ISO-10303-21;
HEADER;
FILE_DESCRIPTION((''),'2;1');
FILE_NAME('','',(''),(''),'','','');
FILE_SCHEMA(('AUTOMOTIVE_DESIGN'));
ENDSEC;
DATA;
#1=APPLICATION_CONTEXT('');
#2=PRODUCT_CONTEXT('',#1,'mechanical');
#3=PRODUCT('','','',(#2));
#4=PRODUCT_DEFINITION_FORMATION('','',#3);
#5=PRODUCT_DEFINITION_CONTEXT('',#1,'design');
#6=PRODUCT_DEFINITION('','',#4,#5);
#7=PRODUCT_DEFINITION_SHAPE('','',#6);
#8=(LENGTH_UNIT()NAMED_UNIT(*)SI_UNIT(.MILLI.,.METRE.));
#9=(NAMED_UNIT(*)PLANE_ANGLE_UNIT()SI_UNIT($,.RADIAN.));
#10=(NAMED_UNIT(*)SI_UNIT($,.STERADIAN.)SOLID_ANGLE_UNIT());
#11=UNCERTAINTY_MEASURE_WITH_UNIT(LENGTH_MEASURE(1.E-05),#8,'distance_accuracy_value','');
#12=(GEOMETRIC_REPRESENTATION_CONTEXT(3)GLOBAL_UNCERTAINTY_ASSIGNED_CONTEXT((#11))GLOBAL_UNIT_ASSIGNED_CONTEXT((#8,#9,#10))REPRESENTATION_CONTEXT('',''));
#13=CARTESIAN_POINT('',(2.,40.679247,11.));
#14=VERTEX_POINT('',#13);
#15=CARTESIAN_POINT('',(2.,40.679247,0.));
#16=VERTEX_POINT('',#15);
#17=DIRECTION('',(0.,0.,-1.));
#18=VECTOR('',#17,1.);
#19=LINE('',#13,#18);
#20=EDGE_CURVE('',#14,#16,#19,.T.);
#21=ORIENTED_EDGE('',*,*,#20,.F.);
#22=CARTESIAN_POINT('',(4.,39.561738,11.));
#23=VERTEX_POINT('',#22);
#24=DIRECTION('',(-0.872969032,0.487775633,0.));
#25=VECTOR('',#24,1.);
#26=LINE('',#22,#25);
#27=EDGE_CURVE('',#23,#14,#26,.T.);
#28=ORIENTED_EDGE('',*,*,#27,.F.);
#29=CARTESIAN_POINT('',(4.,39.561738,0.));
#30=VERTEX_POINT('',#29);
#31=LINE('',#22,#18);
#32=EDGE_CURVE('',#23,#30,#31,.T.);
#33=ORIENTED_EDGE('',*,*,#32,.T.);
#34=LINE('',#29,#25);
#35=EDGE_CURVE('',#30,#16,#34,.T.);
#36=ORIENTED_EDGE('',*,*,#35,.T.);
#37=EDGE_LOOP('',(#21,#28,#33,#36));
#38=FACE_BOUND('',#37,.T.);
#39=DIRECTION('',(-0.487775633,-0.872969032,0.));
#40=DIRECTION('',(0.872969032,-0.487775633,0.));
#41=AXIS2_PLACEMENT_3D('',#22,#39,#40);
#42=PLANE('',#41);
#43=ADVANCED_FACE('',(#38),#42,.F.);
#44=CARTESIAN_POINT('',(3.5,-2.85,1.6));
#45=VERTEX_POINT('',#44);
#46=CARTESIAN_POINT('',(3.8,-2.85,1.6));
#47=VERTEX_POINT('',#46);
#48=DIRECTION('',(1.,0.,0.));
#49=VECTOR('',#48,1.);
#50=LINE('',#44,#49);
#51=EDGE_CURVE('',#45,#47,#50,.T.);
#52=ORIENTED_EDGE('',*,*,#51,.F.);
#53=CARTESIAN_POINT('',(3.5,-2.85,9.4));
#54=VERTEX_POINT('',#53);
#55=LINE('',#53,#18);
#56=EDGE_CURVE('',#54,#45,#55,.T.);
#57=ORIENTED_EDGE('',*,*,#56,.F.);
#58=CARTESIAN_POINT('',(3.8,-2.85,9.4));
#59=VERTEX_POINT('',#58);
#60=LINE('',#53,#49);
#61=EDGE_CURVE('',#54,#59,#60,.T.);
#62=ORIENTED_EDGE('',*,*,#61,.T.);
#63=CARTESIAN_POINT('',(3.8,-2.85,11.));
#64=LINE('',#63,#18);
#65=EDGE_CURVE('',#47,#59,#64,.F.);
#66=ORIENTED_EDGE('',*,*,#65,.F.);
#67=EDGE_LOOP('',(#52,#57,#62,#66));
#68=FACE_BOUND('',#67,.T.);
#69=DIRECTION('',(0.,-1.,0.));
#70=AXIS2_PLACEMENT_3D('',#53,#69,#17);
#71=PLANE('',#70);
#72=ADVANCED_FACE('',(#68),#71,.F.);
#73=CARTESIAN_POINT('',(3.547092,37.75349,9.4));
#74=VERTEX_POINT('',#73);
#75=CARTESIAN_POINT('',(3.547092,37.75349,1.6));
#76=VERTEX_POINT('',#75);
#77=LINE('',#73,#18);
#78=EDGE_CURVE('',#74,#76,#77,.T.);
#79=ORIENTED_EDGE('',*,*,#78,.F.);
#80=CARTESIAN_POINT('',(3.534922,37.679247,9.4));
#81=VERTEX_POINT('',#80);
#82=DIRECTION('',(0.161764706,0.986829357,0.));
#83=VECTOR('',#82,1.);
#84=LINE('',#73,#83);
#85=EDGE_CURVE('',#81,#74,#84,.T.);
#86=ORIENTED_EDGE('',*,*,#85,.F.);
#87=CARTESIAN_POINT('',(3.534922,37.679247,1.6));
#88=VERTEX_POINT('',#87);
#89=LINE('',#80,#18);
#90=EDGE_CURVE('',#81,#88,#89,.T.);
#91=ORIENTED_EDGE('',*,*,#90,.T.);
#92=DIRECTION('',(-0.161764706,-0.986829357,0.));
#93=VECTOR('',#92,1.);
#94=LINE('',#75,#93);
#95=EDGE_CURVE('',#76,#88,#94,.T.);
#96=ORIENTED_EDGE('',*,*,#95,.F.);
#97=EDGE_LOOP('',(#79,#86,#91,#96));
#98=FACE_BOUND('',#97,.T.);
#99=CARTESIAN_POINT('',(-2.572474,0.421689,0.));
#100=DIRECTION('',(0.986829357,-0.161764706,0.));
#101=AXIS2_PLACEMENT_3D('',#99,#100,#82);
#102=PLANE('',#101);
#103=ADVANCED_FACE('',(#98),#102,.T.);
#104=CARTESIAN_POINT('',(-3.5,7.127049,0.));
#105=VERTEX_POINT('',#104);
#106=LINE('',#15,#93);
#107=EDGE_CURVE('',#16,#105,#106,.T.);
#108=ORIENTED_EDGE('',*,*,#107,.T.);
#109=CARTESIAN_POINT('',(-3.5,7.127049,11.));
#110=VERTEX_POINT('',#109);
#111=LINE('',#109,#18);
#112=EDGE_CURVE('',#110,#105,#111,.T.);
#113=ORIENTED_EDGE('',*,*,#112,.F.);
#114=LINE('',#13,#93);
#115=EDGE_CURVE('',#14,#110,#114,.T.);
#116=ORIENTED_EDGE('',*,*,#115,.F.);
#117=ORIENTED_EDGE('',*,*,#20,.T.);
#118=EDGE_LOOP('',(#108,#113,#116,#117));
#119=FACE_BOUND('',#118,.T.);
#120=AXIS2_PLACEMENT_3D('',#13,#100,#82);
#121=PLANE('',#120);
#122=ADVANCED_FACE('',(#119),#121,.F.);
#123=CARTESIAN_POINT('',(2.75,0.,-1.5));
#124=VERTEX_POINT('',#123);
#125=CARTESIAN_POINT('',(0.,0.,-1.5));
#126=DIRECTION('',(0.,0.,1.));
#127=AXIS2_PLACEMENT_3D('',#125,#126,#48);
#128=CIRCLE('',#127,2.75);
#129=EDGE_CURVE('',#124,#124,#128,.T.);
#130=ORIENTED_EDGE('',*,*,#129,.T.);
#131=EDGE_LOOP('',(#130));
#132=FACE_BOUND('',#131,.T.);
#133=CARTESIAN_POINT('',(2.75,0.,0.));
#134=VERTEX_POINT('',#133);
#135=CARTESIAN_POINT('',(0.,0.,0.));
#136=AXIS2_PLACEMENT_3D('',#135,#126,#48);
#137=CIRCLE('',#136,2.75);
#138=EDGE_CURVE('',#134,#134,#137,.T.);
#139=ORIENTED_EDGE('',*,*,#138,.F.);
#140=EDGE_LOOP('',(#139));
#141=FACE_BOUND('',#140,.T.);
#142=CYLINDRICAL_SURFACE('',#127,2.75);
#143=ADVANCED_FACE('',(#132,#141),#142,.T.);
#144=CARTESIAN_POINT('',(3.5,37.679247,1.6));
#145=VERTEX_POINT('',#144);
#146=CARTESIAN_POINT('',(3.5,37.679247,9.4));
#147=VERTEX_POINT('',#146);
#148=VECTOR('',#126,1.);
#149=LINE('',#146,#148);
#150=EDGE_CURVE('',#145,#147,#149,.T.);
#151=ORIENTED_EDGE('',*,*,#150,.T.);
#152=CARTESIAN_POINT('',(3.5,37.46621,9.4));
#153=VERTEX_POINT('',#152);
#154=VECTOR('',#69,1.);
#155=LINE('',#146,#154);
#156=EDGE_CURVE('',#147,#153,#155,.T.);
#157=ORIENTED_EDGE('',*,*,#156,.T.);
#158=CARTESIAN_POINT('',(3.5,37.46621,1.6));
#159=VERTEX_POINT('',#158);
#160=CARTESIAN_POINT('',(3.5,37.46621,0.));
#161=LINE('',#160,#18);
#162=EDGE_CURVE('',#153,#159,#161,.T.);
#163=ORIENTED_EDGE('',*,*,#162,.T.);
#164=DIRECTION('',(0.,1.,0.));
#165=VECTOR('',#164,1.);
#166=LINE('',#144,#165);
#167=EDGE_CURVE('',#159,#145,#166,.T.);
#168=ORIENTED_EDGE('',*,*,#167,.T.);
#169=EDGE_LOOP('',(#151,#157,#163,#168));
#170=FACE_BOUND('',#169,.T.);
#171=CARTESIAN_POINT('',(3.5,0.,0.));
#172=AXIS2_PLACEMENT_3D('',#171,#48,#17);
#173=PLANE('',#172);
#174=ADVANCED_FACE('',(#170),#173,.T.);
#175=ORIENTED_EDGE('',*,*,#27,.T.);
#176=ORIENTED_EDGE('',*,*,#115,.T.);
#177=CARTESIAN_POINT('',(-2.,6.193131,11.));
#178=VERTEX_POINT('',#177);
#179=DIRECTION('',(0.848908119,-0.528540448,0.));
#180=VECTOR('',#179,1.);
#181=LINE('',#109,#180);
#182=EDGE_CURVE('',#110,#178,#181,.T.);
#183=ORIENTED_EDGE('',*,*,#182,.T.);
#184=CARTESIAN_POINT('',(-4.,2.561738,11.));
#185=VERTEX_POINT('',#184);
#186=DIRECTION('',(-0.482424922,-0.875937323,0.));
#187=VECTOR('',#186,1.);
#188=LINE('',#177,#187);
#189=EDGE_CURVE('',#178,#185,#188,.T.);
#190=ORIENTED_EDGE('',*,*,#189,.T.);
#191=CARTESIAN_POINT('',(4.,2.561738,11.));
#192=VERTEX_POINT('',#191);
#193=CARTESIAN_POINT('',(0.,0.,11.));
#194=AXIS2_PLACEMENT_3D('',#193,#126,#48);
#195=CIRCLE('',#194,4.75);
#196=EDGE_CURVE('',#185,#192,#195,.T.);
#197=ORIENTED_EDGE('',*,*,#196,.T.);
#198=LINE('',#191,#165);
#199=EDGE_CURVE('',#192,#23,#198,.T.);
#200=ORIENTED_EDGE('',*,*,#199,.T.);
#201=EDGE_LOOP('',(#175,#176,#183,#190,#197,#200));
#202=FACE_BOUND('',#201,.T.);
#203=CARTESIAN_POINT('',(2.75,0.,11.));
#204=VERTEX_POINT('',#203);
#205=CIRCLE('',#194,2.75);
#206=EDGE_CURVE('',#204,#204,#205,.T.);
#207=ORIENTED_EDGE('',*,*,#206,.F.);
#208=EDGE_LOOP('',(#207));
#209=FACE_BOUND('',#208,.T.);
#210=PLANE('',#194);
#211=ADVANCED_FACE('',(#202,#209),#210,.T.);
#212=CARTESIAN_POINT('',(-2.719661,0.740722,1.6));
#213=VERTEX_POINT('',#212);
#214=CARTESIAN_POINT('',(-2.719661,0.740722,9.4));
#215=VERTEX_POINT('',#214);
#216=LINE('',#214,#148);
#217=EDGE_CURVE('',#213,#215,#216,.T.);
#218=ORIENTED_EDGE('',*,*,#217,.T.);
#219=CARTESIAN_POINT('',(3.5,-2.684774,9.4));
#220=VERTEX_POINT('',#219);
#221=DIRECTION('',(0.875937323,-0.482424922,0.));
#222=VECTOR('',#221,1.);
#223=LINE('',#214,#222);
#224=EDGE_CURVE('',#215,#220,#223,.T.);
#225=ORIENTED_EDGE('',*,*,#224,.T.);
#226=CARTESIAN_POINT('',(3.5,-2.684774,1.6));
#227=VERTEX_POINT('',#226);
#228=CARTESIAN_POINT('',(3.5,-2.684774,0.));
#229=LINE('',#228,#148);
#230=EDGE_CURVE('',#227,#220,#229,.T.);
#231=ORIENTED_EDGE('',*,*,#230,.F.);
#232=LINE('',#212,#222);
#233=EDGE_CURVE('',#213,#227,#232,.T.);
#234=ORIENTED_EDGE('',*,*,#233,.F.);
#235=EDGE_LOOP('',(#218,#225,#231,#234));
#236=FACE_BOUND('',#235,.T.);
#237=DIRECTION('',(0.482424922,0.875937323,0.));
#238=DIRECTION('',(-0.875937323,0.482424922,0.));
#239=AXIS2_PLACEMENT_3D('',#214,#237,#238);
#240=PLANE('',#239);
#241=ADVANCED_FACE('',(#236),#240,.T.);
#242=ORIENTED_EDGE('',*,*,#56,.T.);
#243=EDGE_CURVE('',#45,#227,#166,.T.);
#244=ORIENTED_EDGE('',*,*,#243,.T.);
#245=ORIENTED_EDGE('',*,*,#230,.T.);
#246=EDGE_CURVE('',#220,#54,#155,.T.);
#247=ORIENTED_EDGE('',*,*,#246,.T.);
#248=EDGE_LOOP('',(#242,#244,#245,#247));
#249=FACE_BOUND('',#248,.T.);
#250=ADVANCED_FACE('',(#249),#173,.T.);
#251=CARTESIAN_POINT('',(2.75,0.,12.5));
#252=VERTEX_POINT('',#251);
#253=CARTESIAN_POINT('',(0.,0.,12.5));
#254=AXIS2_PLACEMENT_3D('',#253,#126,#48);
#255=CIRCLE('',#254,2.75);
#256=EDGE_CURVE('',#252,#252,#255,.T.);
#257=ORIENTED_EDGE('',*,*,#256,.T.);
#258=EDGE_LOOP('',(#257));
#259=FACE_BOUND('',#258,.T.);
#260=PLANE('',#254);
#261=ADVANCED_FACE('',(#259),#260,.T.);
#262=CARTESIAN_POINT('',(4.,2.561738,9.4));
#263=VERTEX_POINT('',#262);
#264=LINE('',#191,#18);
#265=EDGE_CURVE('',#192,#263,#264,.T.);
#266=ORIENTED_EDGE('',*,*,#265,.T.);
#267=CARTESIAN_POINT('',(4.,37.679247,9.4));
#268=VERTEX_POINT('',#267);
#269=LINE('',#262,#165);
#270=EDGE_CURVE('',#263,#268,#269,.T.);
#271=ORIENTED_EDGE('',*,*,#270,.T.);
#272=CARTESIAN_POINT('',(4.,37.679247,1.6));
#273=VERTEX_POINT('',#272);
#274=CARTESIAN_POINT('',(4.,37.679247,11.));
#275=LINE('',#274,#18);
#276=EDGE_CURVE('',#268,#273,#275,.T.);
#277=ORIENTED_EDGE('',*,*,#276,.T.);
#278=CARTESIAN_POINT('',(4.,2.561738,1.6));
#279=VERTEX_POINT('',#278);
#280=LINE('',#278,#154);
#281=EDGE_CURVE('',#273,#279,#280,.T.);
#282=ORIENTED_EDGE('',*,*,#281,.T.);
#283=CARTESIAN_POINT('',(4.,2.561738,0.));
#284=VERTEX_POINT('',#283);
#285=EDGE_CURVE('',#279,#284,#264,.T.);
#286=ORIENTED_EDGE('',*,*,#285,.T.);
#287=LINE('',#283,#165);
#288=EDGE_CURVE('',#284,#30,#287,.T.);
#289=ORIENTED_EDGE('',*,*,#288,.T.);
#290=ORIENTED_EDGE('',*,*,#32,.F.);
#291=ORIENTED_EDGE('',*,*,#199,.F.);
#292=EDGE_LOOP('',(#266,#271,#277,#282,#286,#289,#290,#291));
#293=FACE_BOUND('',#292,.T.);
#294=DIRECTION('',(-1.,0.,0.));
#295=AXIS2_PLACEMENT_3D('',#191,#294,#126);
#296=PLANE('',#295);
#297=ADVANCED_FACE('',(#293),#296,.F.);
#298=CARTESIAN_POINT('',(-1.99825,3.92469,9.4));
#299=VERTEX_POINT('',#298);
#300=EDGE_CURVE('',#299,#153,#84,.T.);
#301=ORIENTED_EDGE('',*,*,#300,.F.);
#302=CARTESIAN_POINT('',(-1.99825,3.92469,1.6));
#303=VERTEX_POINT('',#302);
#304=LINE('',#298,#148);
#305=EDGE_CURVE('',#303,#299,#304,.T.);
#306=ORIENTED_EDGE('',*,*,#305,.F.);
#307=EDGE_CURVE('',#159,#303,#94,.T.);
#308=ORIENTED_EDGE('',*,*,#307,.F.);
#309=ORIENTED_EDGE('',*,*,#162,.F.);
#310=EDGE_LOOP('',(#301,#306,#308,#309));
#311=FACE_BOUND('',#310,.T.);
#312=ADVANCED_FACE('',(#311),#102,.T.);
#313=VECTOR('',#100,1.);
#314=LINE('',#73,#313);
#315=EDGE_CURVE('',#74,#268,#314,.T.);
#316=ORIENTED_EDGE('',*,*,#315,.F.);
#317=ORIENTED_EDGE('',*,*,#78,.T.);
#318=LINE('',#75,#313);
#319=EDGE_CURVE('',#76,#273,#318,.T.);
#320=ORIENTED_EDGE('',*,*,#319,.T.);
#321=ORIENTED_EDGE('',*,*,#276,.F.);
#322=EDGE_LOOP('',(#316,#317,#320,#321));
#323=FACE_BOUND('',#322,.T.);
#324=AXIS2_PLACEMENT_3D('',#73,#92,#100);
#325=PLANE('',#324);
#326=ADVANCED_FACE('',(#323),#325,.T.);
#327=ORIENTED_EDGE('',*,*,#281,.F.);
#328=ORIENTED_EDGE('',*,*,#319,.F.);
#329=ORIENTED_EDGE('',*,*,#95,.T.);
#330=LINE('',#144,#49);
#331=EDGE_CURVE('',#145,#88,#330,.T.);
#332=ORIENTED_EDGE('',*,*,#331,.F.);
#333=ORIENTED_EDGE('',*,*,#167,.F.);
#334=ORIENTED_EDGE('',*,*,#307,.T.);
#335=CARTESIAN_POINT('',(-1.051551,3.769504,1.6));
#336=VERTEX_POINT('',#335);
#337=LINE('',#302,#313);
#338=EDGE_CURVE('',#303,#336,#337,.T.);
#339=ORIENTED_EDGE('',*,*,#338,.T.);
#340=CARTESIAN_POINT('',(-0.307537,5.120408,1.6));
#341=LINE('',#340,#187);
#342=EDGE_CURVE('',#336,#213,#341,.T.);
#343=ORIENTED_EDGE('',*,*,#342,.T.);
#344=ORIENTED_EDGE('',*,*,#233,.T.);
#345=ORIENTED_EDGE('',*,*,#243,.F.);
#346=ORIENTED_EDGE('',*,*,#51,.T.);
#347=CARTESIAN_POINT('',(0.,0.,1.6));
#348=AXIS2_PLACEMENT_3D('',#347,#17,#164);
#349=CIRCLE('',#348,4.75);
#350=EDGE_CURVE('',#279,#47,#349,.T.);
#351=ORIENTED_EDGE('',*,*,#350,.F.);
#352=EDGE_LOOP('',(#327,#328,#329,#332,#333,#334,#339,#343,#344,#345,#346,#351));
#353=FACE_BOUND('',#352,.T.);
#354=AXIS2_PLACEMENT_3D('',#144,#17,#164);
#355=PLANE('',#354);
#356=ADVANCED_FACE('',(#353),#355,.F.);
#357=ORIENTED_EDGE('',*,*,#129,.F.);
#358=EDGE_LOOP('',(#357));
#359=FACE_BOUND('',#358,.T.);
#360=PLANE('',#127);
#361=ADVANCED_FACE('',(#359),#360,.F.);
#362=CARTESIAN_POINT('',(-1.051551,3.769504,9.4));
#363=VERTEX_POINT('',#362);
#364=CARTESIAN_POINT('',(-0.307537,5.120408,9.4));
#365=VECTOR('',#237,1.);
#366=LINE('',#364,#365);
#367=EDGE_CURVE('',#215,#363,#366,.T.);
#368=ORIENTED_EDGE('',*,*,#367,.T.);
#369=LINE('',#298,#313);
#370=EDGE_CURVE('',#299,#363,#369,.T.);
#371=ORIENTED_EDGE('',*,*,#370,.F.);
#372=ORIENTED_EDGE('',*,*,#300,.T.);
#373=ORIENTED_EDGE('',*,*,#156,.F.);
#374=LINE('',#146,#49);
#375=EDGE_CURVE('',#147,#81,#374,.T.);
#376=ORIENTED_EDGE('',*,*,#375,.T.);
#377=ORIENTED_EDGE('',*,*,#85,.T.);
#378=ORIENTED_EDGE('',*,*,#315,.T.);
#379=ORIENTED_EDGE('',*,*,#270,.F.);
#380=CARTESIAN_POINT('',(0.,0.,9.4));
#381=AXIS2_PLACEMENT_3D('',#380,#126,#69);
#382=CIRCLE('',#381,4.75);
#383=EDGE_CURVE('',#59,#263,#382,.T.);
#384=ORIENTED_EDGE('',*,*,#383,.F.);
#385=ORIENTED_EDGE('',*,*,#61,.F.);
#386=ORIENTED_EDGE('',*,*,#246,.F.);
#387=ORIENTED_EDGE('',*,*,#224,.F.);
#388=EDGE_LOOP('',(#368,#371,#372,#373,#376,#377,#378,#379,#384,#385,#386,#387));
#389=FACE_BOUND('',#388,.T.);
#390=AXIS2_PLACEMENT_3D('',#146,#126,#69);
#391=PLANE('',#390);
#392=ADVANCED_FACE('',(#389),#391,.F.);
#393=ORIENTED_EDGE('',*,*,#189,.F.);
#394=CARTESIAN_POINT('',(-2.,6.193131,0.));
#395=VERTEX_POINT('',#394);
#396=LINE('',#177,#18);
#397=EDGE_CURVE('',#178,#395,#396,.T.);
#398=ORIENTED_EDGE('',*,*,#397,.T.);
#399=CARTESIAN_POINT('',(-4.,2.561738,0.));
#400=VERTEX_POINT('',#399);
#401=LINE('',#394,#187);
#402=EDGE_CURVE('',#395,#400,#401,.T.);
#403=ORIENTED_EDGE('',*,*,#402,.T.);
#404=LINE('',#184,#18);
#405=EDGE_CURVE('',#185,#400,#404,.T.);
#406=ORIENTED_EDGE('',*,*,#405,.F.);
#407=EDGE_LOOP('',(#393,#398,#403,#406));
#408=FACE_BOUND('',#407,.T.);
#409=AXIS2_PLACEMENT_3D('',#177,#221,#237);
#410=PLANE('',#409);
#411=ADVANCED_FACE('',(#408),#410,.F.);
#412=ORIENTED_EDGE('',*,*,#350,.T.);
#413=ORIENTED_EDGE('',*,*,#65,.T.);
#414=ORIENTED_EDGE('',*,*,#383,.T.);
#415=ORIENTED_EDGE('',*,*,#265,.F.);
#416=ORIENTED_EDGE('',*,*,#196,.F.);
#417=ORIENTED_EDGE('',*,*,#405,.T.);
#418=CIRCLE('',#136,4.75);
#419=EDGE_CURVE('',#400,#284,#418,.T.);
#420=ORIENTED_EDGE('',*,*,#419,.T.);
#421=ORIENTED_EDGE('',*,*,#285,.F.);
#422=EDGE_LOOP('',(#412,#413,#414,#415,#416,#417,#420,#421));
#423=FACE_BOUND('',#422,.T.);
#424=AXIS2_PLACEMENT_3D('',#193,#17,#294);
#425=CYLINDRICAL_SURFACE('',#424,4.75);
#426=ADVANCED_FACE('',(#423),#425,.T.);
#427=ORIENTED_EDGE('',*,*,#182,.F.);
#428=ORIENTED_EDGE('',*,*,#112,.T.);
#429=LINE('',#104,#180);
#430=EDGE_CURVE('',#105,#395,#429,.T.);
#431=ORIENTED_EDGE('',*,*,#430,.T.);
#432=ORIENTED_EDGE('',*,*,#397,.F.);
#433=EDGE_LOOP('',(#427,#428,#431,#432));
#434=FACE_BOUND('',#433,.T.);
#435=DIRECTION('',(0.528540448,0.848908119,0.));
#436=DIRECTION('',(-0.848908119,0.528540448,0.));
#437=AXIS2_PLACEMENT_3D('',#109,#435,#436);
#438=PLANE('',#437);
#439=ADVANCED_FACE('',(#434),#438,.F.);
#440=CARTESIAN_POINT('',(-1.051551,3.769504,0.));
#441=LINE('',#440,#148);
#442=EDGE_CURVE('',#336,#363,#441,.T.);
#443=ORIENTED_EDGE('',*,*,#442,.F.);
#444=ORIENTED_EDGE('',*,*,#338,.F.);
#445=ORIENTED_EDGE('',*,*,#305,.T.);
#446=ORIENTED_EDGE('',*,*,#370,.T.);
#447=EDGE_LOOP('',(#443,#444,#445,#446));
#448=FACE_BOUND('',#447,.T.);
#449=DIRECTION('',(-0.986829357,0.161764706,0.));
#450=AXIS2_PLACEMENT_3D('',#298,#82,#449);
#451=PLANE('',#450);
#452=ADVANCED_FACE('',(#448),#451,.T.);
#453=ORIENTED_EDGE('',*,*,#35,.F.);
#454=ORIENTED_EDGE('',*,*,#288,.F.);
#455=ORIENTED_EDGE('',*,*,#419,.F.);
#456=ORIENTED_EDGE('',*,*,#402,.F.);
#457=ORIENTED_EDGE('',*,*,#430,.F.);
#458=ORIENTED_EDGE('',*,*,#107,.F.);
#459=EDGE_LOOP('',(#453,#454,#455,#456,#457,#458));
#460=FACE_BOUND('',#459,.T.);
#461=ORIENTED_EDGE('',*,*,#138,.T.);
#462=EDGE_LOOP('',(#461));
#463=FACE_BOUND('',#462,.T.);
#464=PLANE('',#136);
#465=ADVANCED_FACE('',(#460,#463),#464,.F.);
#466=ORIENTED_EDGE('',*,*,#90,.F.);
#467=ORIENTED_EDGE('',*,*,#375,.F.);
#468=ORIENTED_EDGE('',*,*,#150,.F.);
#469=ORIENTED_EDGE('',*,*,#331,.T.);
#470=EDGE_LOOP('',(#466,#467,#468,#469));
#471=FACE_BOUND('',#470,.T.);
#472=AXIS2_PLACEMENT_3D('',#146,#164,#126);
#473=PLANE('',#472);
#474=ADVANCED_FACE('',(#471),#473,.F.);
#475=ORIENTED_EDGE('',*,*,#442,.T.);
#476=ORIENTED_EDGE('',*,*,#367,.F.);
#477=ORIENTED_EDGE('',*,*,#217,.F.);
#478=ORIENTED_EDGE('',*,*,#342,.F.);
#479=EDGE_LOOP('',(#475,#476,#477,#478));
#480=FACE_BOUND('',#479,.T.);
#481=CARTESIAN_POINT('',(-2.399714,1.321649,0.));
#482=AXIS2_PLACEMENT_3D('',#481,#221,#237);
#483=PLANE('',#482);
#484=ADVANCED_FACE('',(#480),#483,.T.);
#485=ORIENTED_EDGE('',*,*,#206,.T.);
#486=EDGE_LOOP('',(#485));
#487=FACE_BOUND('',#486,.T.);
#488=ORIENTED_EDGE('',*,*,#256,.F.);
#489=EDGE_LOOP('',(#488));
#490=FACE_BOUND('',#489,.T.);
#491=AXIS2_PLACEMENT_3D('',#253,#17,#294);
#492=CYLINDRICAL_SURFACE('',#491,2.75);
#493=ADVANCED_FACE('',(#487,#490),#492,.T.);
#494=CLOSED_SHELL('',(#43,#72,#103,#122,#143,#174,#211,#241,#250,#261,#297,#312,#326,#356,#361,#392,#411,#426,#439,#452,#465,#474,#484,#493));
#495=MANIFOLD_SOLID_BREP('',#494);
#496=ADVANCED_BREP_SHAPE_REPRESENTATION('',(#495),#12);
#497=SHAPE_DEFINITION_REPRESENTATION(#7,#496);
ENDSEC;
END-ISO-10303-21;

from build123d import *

# Parameters (mm, degrees)
BOSS_EXTRU_1_DEPTH      = 11
ESQUISSE2_R             = 2.75
BOSS_EXTRU_2_DEPTH      = 1.5
BOSS_EXTRU_3_START      = 1.5
ESQUISSE3_R             = 2.75
BOSS_EXTRU_3_DEPTH      = 1.5
ESQUISSE5_W             = 7.8
ESQUISSE5_H             = 40.529247283
ENL_V_MAT_EXTRU_1_DEPTH = 10.5
ESQUISSE6_W             = 7.8
ESQUISSE6_H             = 5
ENL_V_MAT_EXTRU_2_DEPTH = 8
ESQUISSE7_W             = 7.8
ESQUISSE7_H             = 34.280292999
ENL_V_MAT_EXTRU_3_DEPTH = 8


with BuildPart() as part:
    # Esquisse1 → Boss.-Extru.1 (new body)
    with BuildSketch(Plane.XY):
        with BuildLine():
            Line((4, 2.561737691), (4, 39.561737691))
            Line((4, 39.561737691), (2, 40.679247283))
            Line((2, 40.679247283), (-3.5, 7.127049143))
            Line((-3.5, 7.127049143), (-2, 6.193131027))
            Line((-2, 6.193131027), (-4, 2.561737691))
            ThreePointArc((-4, 2.561737691), (0, -4.75), (4, 2.561737691))
        make_face()
    extrude(amount=BOSS_EXTRU_1_DEPTH)

    # Esquisse2 → Boss.-Extru.2 (add)
    with BuildSketch(Plane.XY):
        Circle(ESQUISSE2_R)
    extrude(amount=-BOSS_EXTRU_2_DEPTH)

    # Esquisse3 → Boss.-Extru.3 (add)
    with BuildSketch(Plane.XY.offset(11).offset(BOSS_EXTRU_3_START)):
        Circle(ESQUISSE3_R)
    extrude(amount=-BOSS_EXTRU_3_DEPTH)

    # Esquisse5 → Enlèv. mat.-Extru.1 (cut)
    with BuildSketch(Plane(origin=(14, 0, 0), x_dir=(0, 0, -1), z_dir=(1, 0, 0))):
        with Locations((-5.5, 17.414623642)):
            Rectangle(ESQUISSE5_W, ESQUISSE5_H)
    extrude(amount=-ENL_V_MAT_EXTRU_1_DEPTH, mode=Mode.SUBTRACT)

    # Esquisse6 → Enlèv. mat.-Extru.2 (cut)
    with BuildSketch(Plane(origin=(4.607784726, -2.537750279, 0), x_dir=(0, 0, 1), z_dir=(-0.8759373234553582, 0.4824249220115637, 0))):
        with Locations((5.5, 1.836793332)):
            Rectangle(ESQUISSE6_W, ESQUISSE6_H)
    extrude(amount=ENL_V_MAT_EXTRU_2_DEPTH, mode=Mode.SUBTRACT)

    # Esquisse7 → Enlèv. mat.-Extru.3 (cut)
    with BuildSketch(Plane(origin=(5.322160432, -0.872428157, 0), x_dir=(0, 0, 1), z_dir=(-0.986829357047507, 0.16176470588235298, 0))):
        with Locations((5.5, 20.689899695)):
            Rectangle(ESQUISSE7_W, ESQUISSE7_H)
    extrude(amount=ENL_V_MAT_EXTRU_3_DEPTH, mode=Mode.SUBTRACT)


solid = part.part
